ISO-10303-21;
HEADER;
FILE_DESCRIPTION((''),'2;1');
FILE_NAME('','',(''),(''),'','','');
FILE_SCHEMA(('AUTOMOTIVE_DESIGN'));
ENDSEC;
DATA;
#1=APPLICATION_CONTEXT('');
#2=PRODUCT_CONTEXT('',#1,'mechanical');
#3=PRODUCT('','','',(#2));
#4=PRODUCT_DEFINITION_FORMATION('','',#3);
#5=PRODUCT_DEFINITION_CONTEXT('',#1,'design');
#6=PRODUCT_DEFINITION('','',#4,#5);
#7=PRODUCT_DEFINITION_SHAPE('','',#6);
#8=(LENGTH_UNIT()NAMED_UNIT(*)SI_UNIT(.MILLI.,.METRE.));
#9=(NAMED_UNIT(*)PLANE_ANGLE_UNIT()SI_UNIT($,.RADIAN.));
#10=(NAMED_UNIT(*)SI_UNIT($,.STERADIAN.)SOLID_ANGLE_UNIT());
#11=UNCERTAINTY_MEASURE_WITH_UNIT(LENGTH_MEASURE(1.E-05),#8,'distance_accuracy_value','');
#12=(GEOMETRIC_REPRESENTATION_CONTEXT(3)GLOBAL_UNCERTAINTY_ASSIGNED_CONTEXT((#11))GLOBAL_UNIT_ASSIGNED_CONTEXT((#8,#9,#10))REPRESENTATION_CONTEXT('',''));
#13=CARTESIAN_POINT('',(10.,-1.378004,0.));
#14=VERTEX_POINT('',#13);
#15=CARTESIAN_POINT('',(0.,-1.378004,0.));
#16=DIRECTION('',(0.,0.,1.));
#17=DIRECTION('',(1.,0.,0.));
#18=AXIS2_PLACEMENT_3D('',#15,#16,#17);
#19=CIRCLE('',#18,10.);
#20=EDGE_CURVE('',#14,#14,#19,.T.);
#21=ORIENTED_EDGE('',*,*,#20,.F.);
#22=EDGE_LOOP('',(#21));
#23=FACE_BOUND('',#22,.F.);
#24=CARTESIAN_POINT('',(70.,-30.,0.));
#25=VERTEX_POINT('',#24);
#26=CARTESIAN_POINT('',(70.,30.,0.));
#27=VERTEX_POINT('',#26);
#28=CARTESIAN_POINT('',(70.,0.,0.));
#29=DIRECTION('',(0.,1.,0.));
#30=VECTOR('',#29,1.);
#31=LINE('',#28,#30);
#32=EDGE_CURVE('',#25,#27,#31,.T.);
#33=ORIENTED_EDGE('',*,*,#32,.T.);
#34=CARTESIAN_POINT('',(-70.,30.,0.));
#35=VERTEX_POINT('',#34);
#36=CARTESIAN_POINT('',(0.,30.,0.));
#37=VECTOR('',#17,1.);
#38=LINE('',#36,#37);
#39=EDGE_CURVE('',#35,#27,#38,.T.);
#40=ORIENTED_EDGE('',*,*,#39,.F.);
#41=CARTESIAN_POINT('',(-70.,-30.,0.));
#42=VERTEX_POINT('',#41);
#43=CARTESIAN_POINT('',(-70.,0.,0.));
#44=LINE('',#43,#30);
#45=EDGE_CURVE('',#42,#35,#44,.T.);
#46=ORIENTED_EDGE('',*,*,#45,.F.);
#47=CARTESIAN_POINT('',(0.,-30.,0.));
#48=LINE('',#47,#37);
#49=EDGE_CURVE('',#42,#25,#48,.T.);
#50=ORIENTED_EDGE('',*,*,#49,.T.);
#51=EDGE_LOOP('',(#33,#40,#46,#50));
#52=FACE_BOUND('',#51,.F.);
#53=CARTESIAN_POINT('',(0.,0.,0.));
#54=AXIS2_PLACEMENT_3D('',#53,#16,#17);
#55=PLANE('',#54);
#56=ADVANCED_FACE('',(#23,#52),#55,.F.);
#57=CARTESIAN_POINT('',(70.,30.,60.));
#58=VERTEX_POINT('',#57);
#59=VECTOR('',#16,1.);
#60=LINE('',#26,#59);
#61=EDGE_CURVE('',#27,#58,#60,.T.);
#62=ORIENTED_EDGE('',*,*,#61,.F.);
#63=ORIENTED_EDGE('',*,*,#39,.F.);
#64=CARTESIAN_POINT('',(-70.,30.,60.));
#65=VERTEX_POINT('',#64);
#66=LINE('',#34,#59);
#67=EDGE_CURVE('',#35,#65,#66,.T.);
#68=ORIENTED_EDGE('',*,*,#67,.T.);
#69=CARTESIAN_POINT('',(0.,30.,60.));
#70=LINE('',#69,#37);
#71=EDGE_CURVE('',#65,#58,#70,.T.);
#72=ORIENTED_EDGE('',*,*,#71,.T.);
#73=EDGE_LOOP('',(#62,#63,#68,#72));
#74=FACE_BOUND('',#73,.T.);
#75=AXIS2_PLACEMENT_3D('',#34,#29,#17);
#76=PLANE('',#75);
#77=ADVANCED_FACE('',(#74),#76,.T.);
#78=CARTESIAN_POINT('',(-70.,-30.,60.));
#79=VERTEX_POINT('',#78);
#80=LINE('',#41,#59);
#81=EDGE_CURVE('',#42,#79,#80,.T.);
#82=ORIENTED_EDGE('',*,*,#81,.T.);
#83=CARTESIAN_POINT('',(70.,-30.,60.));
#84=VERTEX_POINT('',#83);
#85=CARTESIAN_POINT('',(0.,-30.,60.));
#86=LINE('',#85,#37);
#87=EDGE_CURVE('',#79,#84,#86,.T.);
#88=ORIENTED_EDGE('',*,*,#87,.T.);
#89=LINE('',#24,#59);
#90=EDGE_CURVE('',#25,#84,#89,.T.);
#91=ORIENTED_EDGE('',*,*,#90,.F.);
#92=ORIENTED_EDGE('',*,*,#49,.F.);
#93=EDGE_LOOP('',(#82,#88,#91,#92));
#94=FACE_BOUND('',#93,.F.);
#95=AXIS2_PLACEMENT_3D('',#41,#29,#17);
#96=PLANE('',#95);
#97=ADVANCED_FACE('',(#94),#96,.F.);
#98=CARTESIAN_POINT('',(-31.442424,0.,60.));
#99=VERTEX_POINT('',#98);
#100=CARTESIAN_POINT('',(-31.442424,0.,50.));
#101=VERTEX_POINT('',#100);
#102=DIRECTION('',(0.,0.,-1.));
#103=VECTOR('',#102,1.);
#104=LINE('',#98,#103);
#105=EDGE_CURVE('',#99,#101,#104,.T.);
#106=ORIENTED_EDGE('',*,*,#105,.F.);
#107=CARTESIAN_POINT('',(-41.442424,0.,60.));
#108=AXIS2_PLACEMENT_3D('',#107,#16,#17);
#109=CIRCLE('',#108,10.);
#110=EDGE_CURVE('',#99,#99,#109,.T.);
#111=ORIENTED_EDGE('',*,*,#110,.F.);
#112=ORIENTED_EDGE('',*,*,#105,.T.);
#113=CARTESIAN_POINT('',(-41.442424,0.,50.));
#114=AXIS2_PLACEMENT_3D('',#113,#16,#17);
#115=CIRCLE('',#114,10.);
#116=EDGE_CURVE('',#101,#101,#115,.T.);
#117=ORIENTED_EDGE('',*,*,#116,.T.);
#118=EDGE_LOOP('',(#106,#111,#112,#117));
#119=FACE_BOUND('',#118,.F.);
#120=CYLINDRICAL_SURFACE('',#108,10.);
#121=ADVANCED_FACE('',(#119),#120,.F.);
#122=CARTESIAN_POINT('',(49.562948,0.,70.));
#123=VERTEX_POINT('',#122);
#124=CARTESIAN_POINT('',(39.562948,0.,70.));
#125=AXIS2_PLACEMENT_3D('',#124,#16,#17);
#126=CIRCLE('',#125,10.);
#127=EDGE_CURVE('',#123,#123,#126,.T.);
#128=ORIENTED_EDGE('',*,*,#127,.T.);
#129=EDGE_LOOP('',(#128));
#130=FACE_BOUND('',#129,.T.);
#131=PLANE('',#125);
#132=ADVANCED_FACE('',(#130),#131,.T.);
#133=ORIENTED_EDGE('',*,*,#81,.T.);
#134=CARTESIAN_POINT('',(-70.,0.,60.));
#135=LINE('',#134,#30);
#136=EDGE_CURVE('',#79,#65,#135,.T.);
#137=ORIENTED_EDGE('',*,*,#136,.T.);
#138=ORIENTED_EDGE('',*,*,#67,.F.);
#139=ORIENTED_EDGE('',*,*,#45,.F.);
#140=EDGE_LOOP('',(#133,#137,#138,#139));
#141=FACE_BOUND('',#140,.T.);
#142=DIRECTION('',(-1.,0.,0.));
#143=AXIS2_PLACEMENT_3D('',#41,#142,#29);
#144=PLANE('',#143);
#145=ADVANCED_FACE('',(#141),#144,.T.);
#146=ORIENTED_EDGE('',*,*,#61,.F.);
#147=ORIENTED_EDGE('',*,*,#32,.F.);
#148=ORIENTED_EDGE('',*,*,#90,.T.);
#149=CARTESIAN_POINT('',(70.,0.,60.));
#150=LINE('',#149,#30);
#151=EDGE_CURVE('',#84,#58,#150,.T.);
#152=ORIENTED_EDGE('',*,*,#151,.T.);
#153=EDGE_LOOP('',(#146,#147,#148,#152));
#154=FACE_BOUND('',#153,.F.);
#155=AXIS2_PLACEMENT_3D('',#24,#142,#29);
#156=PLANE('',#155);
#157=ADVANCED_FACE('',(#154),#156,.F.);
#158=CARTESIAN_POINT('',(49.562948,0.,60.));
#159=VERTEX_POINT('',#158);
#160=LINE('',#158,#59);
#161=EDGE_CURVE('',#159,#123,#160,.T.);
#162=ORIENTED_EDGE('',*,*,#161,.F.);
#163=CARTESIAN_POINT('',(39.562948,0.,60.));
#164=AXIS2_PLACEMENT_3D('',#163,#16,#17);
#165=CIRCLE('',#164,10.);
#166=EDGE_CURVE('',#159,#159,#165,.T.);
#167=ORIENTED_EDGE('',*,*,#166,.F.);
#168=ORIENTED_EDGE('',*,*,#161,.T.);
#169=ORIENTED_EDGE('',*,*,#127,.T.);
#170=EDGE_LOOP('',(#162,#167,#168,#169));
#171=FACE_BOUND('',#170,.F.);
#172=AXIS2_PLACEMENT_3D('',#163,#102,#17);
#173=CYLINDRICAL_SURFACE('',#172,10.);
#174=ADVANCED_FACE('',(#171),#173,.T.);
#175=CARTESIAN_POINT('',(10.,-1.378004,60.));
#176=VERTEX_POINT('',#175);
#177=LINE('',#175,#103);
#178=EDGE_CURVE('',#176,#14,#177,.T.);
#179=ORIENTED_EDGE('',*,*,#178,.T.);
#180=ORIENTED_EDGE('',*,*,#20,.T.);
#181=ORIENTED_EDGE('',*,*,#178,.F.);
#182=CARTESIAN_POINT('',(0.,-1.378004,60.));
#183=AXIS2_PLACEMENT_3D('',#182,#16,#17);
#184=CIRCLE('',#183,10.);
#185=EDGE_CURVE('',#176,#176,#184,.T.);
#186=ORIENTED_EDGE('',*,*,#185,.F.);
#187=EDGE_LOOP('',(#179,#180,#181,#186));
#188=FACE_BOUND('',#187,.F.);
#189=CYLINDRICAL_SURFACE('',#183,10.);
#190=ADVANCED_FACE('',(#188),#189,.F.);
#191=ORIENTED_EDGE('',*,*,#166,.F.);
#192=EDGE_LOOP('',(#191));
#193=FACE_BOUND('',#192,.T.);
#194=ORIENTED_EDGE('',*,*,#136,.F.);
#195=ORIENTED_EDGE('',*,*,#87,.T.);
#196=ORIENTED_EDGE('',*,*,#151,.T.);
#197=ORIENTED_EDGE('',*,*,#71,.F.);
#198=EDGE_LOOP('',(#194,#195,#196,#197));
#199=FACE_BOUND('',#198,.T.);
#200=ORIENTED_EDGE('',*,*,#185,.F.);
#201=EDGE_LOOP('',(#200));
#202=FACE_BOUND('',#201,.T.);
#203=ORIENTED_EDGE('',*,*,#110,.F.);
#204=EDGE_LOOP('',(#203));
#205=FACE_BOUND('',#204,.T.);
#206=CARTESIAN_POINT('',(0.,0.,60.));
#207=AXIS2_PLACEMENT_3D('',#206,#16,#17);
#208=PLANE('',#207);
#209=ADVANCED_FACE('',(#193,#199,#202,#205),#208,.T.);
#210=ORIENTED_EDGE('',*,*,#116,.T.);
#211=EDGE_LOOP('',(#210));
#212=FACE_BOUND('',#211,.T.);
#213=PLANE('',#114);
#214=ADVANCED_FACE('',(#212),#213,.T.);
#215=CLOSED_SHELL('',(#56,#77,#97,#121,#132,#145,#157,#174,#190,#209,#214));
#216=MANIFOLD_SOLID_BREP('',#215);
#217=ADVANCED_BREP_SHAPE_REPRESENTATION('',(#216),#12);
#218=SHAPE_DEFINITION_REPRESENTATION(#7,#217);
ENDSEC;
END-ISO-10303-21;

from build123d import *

# Parameters (mm, degrees)
F0_W     = 140
F0_H     = 60
F1_DEPTH = 60
F2_R     = 10
F3_DEPTH = 106.3
F4_R     = 10
F5_DEPTH = 10
F7_DEPTH = 10


with BuildPart() as f1:
    # F0 (on Top) → F1 (new body)
    with BuildSketch(Plane.XY):
        Rectangle(F0_W, F0_H)
    extrude(amount=F1_DEPTH)

    # F2 (on face) → F3 (cut)
    with BuildSketch(Plane.XY.offset(60)):
        with Locations((0, -1.378004)):
            Circle(F2_R)
    extrude(amount=-F3_DEPTH, mode=Mode.SUBTRACT)

    # F4 (on face) → F5 (cut)
    with BuildSketch(Plane.XY.offset(60)):
        with Locations((-41.442424, 0)):
            Circle(F4_R)
    extrude(amount=-F5_DEPTH, mode=Mode.SUBTRACT)

    # F6 (on face) → F7 (join)
    with BuildSketch(Plane.XY.offset(60)):
        with BuildLine():
            ThreePointArc((29.562948, 0), (39.562948, -10), (49.562948, 0))
            ThreePointArc((49.562948, 0), (39.562948, 10), (29.562948, 0))
        make_face()
    extrude(amount=F7_DEPTH)


solid = f1.part
